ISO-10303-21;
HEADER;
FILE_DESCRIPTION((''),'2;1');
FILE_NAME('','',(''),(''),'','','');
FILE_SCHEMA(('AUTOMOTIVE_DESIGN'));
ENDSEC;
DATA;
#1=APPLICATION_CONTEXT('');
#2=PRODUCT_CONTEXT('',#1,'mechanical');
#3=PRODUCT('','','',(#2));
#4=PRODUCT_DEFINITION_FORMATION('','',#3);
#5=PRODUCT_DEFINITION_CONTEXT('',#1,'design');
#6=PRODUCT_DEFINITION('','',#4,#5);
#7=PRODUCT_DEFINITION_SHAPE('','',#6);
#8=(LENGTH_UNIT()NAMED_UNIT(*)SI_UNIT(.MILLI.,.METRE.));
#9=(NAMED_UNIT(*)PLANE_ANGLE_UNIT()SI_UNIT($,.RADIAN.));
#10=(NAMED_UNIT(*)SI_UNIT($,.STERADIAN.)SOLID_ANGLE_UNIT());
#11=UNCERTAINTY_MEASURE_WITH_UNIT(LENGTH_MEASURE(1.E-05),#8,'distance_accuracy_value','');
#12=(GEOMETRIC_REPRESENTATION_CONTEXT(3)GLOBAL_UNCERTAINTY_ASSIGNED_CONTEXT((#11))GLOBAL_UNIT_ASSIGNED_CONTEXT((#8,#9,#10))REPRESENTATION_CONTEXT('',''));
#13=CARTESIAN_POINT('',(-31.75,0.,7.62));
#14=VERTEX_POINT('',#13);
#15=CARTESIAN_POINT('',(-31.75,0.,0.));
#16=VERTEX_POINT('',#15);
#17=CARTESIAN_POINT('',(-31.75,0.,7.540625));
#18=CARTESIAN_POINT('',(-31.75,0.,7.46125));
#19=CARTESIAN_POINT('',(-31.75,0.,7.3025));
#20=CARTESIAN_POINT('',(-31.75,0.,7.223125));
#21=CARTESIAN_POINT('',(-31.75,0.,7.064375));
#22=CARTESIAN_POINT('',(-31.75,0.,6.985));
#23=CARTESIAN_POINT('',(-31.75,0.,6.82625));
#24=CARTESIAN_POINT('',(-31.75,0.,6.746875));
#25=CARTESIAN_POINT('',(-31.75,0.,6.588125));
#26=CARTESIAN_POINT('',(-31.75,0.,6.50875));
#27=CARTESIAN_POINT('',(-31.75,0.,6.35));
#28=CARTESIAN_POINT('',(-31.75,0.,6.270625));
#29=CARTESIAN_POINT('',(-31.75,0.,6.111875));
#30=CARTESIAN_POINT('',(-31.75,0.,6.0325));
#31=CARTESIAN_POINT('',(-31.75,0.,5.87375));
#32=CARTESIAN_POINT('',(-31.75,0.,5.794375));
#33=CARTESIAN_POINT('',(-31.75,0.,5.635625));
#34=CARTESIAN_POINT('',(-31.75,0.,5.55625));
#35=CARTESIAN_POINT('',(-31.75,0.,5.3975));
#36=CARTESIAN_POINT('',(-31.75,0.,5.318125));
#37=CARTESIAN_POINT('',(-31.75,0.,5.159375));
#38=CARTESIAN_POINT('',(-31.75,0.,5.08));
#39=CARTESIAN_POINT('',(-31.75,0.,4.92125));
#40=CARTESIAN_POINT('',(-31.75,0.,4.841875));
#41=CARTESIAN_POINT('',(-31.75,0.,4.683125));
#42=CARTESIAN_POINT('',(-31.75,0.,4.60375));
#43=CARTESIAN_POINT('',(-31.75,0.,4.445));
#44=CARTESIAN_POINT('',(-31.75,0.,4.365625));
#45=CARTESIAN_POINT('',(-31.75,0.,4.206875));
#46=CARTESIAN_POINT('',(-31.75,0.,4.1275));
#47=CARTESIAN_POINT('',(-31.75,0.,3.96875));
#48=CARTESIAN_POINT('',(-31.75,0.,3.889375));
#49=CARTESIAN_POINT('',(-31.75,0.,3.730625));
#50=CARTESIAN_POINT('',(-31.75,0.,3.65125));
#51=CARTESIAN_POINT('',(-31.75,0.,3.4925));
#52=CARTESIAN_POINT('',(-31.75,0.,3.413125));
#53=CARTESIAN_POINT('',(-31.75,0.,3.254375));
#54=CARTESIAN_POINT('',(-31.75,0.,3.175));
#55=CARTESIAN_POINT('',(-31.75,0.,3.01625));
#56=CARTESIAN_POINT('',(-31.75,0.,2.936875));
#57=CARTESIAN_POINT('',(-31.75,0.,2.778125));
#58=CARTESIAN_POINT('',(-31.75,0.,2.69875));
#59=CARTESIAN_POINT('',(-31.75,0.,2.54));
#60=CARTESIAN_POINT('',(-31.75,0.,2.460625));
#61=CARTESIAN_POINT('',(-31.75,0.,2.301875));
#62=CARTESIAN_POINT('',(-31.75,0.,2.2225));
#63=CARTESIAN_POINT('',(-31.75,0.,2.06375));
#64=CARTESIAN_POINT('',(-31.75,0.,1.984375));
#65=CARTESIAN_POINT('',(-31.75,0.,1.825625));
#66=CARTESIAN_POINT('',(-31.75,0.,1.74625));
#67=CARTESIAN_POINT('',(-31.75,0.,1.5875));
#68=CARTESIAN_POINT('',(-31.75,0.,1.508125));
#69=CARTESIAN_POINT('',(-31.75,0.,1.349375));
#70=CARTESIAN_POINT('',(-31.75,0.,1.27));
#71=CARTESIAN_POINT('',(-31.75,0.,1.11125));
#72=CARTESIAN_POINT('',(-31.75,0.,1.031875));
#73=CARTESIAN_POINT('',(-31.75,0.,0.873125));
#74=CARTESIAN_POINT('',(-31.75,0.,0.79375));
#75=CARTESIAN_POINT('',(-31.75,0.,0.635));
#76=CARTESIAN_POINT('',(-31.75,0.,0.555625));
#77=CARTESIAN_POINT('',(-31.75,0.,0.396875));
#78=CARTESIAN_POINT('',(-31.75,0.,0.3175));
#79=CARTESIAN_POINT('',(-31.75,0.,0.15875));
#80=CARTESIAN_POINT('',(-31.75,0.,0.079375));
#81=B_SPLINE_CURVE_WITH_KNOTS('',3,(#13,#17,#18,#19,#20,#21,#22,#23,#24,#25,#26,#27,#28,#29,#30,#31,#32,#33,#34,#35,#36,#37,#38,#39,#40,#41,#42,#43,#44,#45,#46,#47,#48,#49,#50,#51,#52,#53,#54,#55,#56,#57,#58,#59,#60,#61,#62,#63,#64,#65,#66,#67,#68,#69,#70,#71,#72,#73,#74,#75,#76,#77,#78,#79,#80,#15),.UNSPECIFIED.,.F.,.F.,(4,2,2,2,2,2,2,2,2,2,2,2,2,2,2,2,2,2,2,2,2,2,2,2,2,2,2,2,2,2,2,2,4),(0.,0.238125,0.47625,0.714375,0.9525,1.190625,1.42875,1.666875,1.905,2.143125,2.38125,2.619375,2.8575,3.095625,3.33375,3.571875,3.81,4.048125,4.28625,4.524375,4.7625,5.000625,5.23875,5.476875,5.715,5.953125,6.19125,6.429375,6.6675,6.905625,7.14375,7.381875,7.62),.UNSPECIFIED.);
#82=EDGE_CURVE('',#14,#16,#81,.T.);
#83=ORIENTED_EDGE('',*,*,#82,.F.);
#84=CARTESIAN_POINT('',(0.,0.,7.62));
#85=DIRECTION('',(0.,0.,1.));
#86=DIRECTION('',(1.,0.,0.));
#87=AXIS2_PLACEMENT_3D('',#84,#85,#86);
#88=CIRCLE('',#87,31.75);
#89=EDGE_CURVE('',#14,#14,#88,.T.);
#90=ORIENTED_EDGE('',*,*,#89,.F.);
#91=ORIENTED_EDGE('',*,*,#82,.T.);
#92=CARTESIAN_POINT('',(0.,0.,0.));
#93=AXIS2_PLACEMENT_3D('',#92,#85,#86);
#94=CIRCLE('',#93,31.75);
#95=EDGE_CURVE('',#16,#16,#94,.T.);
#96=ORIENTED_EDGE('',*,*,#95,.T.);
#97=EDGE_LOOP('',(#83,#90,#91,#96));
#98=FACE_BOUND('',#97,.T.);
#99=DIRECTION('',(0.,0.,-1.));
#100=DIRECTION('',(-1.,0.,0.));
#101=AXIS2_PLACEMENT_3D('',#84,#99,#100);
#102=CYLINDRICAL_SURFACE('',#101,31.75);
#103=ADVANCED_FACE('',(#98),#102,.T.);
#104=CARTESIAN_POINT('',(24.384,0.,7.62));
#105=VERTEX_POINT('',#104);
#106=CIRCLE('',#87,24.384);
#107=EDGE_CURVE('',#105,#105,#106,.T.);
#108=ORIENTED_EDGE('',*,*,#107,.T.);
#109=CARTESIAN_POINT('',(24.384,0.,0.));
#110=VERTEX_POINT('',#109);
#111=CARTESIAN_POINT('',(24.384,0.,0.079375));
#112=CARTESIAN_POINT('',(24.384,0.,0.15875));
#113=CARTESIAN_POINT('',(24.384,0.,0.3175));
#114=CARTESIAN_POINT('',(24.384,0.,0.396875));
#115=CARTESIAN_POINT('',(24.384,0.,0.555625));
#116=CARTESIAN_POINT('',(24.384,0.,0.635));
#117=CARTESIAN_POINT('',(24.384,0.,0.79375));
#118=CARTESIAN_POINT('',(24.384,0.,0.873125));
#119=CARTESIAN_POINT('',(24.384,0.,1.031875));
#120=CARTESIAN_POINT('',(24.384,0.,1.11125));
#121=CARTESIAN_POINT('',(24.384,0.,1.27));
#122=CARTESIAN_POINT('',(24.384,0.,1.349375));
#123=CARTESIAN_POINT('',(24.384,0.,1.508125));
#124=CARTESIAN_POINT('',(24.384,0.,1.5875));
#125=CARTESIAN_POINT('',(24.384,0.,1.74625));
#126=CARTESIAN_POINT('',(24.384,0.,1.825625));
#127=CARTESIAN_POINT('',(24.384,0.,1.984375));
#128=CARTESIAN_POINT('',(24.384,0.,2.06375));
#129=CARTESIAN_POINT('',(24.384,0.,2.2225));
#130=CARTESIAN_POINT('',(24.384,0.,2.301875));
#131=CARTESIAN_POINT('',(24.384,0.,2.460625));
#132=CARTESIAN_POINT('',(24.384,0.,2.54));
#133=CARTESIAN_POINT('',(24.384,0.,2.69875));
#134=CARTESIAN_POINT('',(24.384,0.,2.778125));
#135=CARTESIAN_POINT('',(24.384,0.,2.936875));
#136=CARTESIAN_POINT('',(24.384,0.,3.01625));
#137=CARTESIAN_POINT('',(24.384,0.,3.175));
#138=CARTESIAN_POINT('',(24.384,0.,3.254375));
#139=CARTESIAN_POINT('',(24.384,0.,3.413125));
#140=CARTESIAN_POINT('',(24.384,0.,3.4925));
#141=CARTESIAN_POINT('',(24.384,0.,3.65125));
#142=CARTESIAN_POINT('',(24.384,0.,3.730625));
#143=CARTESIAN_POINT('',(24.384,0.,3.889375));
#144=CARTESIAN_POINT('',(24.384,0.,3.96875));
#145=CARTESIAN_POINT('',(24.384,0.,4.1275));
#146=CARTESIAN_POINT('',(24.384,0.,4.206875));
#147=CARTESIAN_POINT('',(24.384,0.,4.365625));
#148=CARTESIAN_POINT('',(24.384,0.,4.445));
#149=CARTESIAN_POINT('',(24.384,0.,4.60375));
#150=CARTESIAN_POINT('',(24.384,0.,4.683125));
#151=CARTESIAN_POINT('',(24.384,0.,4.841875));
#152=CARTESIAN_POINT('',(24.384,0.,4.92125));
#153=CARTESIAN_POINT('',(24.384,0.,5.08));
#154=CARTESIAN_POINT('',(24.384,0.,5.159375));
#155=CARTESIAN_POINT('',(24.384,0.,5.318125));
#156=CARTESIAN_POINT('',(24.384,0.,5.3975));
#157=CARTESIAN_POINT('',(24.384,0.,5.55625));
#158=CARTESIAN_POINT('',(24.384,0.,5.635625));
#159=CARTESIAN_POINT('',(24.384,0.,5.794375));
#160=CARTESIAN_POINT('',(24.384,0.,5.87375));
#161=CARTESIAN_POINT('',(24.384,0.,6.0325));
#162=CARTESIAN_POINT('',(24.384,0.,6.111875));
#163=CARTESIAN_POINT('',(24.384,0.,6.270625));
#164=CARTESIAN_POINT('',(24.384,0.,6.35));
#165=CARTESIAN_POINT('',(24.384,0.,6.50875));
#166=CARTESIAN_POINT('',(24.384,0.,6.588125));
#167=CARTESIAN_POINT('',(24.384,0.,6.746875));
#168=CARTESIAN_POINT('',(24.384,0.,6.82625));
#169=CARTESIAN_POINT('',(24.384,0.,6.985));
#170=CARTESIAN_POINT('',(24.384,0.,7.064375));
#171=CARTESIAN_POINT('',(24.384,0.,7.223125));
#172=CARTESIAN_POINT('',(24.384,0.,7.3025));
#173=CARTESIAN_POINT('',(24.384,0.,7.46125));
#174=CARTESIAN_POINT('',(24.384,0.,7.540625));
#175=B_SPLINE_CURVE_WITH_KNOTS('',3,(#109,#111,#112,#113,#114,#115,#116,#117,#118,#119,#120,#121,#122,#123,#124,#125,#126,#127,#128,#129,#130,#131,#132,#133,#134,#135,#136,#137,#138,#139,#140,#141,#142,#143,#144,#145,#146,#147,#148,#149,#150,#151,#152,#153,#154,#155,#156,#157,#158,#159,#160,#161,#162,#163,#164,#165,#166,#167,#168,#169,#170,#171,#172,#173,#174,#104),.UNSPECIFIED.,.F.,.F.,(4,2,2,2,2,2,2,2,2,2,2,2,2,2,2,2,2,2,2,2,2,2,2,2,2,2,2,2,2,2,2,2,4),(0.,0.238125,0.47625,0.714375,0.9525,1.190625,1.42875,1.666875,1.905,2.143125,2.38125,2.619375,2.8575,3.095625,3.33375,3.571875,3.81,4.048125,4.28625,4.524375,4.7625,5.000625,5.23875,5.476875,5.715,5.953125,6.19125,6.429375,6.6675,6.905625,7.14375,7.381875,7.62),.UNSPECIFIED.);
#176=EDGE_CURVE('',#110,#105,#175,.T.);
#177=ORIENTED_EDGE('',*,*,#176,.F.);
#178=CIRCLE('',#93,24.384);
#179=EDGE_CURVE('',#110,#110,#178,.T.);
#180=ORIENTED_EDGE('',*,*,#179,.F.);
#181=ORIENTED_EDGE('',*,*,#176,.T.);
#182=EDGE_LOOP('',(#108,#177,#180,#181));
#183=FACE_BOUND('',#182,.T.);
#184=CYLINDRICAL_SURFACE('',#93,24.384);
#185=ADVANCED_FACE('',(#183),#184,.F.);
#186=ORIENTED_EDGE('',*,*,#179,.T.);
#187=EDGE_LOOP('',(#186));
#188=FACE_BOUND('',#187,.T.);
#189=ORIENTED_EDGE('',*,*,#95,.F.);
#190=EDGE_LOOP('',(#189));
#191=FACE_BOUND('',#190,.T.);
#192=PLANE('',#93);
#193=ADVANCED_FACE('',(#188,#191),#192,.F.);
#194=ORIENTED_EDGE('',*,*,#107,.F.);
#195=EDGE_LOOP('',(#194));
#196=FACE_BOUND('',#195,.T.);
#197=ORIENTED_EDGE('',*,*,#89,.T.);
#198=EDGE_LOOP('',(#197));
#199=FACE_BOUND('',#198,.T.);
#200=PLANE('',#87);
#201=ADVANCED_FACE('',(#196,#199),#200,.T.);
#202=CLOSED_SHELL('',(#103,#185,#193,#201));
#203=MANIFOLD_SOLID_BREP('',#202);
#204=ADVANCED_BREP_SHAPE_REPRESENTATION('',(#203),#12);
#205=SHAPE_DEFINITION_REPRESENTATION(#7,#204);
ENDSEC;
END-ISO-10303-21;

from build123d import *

# Parameters (mm, degrees)
SKETCH1_R           = 31.75
BOSS_EXTRUDE1_DEPTH = 7.62
SKETCH3_R           = 24.384
CUT_EXTRUDE1_DEPTH  = 7.62


with BuildPart() as part:
    # Sketch1 → Boss-Extrude1 (new body)
    with BuildSketch(Plane.XY):
        with Locations(Location((0, 0, 0), (0, 0, 180))):
            Circle(SKETCH1_R)
    extrude(amount=BOSS_EXTRUDE1_DEPTH)

    # Sketch3 → Cut-Extrude1 (cut)
    with BuildSketch(Plane.XY.offset(7.62)):
        Circle(SKETCH3_R)
    extrude(amount=-CUT_EXTRUDE1_DEPTH, mode=Mode.SUBTRACT)


solid = part.part
